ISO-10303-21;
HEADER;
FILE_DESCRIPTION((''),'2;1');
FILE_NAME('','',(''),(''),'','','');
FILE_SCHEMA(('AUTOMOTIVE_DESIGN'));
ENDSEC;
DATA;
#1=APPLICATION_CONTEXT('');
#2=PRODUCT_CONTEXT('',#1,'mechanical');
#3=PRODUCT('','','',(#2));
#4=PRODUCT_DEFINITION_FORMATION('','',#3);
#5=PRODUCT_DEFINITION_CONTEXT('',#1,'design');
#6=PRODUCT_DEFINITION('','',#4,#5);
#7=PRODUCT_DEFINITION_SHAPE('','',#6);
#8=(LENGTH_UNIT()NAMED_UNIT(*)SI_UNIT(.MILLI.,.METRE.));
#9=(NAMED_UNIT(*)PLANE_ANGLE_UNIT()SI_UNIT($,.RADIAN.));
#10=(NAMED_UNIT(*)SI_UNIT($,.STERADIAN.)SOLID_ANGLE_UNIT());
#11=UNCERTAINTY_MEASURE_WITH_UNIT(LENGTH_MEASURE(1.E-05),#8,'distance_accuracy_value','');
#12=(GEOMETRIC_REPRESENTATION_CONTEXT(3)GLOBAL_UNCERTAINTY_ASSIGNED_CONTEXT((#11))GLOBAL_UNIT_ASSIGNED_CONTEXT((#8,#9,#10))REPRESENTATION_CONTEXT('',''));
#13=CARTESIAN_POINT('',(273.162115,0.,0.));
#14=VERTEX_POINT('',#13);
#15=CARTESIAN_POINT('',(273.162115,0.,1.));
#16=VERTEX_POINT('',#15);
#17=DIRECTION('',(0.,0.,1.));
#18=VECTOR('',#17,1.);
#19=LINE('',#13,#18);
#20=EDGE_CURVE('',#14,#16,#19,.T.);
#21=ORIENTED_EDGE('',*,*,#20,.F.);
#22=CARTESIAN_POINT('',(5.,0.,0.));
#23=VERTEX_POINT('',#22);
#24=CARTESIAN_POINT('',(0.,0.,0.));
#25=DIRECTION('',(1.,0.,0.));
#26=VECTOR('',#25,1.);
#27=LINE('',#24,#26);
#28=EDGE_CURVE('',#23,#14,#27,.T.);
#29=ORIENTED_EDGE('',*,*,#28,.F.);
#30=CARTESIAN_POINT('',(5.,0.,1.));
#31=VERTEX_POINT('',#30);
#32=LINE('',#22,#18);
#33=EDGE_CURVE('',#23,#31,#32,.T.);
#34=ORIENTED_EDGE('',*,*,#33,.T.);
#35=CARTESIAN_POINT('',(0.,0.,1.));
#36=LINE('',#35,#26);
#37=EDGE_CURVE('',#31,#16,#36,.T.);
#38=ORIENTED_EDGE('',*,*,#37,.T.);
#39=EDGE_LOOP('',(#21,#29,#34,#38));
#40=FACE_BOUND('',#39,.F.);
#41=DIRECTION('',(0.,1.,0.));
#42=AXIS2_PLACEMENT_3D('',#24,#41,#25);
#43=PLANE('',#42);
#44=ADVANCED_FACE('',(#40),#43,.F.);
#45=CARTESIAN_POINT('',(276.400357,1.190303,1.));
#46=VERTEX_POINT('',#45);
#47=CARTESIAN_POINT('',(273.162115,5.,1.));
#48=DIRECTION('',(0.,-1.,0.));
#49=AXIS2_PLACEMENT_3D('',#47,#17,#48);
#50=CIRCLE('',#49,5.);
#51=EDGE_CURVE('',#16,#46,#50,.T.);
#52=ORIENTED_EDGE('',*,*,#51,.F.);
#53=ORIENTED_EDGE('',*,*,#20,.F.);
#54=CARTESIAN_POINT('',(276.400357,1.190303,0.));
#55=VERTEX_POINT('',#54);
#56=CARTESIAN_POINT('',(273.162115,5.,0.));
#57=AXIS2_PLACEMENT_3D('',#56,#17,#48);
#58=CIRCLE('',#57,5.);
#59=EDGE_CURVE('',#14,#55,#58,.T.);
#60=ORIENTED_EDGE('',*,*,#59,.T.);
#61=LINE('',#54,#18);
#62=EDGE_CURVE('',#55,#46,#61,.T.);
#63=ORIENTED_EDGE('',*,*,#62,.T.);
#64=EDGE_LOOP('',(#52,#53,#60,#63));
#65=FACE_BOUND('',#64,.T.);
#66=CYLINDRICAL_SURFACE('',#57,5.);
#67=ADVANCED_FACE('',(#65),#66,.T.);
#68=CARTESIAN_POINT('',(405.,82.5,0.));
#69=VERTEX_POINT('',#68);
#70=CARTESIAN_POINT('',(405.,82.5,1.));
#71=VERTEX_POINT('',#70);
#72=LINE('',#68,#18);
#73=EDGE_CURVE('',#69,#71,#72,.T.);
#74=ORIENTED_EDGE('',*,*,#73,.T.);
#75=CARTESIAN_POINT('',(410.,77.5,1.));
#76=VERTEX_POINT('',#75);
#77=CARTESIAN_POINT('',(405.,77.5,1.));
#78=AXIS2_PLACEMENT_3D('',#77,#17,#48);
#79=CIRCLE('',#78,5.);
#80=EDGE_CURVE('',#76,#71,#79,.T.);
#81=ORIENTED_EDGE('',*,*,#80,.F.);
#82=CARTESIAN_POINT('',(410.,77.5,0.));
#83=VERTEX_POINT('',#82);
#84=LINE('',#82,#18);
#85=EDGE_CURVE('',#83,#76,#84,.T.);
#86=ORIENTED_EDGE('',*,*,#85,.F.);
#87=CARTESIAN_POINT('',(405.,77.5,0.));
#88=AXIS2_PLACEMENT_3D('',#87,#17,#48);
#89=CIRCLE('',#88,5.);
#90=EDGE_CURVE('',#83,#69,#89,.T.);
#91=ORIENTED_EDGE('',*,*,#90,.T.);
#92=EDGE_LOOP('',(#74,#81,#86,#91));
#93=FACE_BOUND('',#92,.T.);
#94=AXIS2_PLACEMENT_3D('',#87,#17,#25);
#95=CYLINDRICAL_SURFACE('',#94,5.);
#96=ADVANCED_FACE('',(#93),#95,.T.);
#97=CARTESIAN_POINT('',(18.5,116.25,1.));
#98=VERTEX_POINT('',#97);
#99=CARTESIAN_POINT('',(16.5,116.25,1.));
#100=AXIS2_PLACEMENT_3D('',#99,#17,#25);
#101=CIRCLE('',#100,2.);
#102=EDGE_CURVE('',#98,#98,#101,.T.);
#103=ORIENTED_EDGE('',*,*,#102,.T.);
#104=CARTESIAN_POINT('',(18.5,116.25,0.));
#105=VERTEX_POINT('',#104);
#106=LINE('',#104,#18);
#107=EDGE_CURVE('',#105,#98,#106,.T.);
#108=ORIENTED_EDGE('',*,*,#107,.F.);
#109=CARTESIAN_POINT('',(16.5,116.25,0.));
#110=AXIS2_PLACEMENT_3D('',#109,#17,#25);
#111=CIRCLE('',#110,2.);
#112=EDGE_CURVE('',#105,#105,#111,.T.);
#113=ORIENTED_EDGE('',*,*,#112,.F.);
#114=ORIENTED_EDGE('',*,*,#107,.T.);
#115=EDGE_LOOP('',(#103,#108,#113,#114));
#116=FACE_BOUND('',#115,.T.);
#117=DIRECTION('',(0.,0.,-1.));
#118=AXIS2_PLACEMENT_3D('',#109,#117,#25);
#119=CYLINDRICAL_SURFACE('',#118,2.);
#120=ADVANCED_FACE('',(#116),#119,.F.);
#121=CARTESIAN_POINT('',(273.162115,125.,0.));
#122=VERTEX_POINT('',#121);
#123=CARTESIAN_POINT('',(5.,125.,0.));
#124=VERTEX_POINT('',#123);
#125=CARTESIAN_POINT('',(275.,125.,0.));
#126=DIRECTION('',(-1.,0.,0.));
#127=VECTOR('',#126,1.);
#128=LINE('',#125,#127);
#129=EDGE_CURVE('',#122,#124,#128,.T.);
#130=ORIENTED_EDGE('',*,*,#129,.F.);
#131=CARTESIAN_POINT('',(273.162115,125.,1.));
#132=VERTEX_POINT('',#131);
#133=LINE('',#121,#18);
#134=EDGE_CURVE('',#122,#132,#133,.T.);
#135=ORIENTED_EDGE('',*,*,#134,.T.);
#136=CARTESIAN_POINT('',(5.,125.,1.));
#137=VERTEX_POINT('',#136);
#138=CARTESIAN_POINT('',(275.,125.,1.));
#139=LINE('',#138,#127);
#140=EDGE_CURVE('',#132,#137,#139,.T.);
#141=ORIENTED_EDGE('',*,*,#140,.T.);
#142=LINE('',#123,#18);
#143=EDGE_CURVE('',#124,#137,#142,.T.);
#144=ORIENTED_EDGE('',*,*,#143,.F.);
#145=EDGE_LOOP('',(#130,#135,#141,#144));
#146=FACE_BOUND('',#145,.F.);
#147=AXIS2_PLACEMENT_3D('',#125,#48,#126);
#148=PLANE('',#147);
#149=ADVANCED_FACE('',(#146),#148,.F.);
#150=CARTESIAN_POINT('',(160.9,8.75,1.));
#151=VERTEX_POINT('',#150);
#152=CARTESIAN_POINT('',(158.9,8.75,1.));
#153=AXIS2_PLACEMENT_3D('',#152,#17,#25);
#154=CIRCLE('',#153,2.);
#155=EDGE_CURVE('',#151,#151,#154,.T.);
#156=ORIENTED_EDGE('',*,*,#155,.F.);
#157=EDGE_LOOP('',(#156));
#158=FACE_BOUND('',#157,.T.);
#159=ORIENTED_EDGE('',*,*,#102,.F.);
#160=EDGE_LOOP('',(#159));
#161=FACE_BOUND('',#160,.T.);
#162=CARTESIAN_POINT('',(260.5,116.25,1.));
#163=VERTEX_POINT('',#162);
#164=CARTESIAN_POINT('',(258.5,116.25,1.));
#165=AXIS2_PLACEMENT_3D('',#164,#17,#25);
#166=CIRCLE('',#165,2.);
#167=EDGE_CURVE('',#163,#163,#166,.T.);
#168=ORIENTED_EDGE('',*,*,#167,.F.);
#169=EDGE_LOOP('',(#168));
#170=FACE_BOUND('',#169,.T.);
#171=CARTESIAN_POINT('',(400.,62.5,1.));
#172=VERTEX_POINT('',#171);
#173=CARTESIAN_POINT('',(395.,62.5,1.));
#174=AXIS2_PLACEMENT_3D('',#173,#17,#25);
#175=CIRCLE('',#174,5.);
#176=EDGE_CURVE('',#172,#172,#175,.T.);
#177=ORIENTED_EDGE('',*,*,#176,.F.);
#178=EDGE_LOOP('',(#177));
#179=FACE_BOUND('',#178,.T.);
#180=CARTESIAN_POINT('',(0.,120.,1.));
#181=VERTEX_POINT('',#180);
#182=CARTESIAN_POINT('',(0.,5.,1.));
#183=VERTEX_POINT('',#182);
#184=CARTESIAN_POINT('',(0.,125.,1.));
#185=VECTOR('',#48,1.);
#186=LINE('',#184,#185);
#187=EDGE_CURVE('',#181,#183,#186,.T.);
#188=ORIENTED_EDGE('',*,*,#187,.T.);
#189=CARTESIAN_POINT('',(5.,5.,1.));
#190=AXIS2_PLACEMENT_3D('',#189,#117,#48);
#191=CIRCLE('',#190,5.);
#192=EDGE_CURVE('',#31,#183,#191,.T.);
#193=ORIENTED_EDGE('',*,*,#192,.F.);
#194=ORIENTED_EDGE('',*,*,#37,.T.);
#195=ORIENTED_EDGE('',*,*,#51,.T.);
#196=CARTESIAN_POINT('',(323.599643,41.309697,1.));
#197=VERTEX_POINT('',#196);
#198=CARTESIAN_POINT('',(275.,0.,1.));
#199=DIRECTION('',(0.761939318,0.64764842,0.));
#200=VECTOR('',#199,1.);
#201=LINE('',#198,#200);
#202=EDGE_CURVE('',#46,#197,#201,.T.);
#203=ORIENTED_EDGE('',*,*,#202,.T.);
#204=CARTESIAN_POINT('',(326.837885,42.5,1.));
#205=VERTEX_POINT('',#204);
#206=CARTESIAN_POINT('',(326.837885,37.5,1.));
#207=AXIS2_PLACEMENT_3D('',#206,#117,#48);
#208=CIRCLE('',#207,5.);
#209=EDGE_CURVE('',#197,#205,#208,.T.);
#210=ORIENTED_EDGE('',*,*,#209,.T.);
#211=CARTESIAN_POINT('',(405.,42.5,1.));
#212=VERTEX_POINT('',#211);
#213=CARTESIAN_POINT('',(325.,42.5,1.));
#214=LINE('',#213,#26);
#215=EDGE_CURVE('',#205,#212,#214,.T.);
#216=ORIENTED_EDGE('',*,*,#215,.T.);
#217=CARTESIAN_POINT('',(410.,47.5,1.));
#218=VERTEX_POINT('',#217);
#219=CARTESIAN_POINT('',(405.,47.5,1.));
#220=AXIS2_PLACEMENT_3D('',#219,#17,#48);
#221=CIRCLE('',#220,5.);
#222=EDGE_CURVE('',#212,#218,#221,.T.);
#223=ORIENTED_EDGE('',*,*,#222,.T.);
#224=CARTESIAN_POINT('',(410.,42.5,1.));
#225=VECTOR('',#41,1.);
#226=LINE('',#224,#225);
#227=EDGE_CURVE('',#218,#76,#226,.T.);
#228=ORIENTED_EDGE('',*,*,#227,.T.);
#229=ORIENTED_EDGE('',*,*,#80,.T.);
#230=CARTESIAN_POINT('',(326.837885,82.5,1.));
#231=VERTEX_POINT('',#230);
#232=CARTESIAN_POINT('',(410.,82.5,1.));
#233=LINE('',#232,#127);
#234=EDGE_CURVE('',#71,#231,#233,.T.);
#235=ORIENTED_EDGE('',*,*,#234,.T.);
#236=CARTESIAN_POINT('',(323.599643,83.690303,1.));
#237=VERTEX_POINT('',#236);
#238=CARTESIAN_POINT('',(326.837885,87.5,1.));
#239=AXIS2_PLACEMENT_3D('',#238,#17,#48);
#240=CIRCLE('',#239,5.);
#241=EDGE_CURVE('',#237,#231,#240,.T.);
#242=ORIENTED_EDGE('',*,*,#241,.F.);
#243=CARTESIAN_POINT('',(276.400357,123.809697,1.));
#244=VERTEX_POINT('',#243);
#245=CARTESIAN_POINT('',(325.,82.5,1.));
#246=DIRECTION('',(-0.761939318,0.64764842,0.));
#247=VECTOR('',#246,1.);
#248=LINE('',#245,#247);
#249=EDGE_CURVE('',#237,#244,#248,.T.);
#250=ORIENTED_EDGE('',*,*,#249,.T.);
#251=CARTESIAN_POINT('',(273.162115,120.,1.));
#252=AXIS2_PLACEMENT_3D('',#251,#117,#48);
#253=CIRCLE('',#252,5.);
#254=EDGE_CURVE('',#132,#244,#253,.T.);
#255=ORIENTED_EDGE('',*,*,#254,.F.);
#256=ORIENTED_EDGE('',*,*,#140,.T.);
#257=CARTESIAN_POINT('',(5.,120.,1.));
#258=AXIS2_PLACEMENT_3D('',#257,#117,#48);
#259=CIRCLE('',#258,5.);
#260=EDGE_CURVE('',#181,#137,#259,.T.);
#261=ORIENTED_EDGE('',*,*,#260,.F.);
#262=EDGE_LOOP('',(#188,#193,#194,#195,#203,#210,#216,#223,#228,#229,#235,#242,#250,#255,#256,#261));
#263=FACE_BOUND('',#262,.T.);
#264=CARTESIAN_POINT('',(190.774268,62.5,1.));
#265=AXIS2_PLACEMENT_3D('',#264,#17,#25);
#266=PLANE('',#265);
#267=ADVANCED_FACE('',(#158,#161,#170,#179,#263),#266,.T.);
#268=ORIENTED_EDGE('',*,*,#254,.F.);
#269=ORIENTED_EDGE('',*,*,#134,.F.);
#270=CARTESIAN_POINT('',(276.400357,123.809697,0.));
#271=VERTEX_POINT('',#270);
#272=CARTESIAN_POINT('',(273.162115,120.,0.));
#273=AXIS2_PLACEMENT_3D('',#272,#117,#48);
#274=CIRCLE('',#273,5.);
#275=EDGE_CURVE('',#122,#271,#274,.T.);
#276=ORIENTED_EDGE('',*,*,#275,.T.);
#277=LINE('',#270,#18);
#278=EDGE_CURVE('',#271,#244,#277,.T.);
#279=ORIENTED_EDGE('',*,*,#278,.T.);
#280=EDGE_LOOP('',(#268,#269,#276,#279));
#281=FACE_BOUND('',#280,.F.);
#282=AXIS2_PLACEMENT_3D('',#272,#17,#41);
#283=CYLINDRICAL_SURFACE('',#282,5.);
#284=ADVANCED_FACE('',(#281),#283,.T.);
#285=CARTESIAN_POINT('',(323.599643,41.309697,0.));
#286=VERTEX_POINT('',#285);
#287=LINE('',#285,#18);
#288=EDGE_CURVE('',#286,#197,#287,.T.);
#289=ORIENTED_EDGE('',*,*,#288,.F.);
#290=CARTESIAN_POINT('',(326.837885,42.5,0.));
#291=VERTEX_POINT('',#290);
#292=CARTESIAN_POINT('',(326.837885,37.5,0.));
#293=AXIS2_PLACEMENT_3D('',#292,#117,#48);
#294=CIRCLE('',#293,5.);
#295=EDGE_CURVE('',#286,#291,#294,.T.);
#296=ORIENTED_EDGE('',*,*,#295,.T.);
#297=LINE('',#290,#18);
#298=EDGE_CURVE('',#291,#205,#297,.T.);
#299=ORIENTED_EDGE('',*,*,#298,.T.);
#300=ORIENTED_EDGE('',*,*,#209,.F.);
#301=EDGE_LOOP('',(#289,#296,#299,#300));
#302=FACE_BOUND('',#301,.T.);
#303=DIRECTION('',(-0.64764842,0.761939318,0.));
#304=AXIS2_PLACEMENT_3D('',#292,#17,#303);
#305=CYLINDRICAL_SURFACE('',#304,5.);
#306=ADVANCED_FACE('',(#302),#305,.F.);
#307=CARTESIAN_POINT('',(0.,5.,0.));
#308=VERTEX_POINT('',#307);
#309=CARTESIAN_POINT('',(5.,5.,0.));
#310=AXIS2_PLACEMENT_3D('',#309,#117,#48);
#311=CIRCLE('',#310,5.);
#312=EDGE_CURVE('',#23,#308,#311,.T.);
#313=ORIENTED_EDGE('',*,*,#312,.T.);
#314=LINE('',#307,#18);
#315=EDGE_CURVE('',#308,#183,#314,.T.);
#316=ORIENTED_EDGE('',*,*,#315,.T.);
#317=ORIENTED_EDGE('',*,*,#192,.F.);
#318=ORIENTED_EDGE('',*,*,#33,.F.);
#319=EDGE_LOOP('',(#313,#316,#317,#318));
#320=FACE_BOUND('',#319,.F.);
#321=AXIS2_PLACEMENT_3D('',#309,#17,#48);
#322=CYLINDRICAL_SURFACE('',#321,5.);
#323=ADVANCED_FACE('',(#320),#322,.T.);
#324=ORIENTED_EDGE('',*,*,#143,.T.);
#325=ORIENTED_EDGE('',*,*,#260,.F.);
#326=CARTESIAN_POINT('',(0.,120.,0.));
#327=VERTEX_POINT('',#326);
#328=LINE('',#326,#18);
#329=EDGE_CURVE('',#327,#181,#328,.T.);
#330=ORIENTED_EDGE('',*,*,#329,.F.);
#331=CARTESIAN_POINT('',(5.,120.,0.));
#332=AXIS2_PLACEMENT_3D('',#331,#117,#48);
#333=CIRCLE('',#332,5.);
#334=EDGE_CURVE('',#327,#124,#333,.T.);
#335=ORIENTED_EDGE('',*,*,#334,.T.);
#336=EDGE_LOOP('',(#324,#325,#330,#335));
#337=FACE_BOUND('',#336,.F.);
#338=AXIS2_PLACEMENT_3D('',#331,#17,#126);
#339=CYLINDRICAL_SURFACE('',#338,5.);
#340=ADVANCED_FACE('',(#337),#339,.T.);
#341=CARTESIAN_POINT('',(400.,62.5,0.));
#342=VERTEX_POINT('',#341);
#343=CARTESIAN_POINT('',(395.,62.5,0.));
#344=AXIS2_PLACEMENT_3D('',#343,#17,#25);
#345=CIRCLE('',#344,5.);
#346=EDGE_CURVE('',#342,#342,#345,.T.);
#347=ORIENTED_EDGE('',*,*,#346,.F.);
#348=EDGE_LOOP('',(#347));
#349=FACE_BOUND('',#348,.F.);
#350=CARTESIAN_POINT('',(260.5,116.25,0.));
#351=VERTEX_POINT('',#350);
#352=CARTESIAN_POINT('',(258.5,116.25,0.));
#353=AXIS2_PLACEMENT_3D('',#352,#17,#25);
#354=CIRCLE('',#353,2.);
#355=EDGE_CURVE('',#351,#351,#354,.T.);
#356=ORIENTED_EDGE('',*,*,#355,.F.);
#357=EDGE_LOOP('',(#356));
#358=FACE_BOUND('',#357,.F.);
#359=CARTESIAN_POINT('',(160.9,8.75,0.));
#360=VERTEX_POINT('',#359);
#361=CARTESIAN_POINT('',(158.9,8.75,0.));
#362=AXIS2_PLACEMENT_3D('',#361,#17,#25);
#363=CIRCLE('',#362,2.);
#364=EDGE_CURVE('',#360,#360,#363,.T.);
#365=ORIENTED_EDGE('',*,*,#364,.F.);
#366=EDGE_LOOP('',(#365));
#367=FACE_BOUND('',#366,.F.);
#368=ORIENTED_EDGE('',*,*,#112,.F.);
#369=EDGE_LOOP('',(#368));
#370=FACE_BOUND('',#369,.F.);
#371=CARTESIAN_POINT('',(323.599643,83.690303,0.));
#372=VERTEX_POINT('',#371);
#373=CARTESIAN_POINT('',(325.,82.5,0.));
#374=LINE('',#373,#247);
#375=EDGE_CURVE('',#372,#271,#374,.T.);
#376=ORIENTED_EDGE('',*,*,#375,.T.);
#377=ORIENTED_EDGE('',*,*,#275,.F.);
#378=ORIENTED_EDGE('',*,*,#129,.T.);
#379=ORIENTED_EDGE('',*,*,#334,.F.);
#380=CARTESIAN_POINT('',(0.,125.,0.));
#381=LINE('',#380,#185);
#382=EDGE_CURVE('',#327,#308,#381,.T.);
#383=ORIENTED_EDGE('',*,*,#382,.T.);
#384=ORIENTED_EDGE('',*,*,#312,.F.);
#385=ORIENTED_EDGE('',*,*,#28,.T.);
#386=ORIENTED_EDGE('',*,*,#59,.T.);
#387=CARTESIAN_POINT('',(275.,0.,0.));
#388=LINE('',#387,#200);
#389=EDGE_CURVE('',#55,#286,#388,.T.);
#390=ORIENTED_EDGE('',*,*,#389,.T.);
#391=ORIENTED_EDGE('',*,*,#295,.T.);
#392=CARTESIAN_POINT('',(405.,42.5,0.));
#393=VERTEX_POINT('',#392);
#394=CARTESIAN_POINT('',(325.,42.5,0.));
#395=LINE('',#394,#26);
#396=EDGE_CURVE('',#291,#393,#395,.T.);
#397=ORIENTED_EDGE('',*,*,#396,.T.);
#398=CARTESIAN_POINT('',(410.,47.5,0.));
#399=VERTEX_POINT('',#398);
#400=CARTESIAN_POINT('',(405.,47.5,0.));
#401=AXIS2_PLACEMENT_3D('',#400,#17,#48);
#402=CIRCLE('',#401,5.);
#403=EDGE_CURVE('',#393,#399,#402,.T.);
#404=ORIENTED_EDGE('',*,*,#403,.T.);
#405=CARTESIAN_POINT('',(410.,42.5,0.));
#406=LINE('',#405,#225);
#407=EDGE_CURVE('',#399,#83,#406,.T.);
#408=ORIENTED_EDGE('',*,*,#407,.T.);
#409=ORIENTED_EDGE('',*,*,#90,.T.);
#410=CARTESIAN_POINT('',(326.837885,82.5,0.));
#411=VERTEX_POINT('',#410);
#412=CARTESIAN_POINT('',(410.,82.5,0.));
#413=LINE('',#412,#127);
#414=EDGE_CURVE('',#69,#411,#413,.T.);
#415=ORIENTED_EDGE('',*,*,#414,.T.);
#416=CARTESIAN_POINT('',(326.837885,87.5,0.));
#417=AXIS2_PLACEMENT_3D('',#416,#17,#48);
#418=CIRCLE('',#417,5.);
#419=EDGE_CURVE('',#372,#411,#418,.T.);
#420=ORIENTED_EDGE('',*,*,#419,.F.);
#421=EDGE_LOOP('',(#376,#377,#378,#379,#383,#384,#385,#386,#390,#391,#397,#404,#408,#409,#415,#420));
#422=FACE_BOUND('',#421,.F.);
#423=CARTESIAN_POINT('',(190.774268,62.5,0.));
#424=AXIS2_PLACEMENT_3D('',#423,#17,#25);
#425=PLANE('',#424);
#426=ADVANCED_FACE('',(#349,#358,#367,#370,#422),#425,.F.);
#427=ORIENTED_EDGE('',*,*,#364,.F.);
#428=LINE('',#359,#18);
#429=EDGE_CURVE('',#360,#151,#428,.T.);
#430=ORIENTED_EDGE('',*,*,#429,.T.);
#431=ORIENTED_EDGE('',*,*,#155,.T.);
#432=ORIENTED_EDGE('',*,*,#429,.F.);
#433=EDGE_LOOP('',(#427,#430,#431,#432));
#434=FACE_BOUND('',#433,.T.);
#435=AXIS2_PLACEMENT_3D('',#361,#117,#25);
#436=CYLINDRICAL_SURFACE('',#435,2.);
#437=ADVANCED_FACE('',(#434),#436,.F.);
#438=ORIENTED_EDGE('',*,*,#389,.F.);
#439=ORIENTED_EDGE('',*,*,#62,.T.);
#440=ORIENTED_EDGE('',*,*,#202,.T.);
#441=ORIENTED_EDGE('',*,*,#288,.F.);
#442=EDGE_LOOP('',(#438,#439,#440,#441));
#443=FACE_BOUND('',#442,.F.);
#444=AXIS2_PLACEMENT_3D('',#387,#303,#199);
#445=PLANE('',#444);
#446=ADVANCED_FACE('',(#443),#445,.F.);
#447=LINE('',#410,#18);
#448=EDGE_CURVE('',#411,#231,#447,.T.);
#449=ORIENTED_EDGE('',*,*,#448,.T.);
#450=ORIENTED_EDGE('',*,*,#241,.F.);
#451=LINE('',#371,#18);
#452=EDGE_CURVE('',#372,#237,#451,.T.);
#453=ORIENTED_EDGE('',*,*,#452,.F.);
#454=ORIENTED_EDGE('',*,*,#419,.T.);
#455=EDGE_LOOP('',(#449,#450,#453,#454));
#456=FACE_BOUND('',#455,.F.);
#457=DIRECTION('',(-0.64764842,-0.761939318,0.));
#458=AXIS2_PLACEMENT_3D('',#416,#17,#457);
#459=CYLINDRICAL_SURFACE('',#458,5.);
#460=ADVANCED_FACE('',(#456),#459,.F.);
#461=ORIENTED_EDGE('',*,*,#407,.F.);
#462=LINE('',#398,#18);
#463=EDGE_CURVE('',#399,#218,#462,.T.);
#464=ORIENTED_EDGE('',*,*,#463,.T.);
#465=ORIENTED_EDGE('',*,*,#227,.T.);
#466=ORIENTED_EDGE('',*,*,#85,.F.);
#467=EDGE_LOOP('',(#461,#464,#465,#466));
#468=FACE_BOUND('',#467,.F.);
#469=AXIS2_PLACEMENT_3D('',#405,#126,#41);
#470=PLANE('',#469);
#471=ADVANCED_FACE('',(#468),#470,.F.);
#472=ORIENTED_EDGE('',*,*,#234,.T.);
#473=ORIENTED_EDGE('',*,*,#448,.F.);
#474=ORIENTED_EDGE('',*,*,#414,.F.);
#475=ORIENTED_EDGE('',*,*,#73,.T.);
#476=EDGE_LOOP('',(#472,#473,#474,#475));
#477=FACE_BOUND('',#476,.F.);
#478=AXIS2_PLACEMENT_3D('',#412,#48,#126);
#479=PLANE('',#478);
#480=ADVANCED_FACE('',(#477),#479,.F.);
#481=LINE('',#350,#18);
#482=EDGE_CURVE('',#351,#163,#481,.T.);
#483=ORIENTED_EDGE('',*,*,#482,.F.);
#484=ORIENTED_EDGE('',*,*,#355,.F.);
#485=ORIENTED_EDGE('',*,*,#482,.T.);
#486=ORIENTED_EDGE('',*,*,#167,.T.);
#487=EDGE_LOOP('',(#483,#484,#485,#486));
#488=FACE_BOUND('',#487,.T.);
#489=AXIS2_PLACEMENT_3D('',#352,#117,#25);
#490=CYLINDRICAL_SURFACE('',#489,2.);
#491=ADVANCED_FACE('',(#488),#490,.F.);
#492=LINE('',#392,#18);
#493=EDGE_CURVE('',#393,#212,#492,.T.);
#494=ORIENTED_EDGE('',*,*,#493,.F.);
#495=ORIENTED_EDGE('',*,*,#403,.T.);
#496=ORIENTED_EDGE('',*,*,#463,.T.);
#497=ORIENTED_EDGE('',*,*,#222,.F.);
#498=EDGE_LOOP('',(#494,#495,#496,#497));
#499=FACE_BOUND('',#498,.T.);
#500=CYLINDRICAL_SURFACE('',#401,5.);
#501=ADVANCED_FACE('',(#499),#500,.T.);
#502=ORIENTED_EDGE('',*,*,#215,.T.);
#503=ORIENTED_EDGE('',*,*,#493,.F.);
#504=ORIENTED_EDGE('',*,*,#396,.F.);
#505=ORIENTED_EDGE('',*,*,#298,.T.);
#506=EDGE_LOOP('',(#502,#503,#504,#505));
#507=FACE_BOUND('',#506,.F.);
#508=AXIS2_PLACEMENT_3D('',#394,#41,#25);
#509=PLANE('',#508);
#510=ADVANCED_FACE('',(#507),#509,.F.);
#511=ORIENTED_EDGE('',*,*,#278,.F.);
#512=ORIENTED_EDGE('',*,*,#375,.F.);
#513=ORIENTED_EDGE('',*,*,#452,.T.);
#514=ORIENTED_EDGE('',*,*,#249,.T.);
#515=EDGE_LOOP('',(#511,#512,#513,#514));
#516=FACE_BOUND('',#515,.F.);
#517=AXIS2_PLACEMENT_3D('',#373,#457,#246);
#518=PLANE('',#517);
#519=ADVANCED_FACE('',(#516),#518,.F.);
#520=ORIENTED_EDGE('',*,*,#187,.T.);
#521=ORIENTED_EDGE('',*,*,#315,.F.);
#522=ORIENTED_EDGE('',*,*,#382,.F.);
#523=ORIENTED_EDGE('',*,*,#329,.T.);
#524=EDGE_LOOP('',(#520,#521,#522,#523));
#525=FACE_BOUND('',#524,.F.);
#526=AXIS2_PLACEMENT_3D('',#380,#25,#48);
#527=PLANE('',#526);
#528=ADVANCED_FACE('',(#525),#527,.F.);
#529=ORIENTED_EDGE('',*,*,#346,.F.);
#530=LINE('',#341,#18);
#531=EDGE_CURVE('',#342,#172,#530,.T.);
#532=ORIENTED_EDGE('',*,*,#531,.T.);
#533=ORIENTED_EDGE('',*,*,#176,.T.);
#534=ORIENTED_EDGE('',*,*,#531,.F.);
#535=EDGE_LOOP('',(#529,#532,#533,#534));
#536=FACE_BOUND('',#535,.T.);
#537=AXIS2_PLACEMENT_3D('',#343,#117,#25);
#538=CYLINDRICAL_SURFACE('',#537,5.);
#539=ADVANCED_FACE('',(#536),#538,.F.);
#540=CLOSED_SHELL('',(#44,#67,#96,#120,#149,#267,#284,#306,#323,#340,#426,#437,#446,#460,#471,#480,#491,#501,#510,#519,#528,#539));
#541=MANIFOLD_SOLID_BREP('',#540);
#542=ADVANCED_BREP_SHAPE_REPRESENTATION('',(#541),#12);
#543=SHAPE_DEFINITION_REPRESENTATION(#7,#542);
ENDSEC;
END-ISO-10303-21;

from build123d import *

# Parameters (mm, degrees)
SKETCH_R   = 5
SKETCH_R_2 = 2
PAD_DEPTH  = 1
FILLET_R   = 5


with BuildPart() as part:
    # Sketch → Pad (new body)
    with BuildSketch(Plane.XY):
        Polygon((0, 0), (275, 0), (325, 42.5), (410, 42.5), (410, 82.5), (325, 82.5), (275, 125), (0, 125), align=None)
        with Locations((395, 62.5)):
            Circle(SKETCH_R, mode=Mode.SUBTRACT)
        with Locations((258.5, 116.25)):
            Circle(SKETCH_R_2, mode=Mode.SUBTRACT)
        with Locations((158.9, 8.75)):
            Circle(SKETCH_R_2, mode=Mode.SUBTRACT)
        with Locations((16.5, 116.25)):
            Circle(SKETCH_R_2, mode=Mode.SUBTRACT)
    extrude(amount=PAD_DEPTH)

    # Fillet
    fillet_edges = [part.edges().sort_by_distance(p)[0] for p in [
        (0, 0, 0.5),
        (275, 0, 0.5),
        (325, 42.5, 0.5),
        (410, 42.5, 0.5),
        (410, 82.5, 0.5),
        (325, 82.5, 0.5),
        (275, 125, 0.5),
        (0, 125, 0.5),
    ]]
    fillet(fillet_edges, radius=FILLET_R)


solid = part.part
